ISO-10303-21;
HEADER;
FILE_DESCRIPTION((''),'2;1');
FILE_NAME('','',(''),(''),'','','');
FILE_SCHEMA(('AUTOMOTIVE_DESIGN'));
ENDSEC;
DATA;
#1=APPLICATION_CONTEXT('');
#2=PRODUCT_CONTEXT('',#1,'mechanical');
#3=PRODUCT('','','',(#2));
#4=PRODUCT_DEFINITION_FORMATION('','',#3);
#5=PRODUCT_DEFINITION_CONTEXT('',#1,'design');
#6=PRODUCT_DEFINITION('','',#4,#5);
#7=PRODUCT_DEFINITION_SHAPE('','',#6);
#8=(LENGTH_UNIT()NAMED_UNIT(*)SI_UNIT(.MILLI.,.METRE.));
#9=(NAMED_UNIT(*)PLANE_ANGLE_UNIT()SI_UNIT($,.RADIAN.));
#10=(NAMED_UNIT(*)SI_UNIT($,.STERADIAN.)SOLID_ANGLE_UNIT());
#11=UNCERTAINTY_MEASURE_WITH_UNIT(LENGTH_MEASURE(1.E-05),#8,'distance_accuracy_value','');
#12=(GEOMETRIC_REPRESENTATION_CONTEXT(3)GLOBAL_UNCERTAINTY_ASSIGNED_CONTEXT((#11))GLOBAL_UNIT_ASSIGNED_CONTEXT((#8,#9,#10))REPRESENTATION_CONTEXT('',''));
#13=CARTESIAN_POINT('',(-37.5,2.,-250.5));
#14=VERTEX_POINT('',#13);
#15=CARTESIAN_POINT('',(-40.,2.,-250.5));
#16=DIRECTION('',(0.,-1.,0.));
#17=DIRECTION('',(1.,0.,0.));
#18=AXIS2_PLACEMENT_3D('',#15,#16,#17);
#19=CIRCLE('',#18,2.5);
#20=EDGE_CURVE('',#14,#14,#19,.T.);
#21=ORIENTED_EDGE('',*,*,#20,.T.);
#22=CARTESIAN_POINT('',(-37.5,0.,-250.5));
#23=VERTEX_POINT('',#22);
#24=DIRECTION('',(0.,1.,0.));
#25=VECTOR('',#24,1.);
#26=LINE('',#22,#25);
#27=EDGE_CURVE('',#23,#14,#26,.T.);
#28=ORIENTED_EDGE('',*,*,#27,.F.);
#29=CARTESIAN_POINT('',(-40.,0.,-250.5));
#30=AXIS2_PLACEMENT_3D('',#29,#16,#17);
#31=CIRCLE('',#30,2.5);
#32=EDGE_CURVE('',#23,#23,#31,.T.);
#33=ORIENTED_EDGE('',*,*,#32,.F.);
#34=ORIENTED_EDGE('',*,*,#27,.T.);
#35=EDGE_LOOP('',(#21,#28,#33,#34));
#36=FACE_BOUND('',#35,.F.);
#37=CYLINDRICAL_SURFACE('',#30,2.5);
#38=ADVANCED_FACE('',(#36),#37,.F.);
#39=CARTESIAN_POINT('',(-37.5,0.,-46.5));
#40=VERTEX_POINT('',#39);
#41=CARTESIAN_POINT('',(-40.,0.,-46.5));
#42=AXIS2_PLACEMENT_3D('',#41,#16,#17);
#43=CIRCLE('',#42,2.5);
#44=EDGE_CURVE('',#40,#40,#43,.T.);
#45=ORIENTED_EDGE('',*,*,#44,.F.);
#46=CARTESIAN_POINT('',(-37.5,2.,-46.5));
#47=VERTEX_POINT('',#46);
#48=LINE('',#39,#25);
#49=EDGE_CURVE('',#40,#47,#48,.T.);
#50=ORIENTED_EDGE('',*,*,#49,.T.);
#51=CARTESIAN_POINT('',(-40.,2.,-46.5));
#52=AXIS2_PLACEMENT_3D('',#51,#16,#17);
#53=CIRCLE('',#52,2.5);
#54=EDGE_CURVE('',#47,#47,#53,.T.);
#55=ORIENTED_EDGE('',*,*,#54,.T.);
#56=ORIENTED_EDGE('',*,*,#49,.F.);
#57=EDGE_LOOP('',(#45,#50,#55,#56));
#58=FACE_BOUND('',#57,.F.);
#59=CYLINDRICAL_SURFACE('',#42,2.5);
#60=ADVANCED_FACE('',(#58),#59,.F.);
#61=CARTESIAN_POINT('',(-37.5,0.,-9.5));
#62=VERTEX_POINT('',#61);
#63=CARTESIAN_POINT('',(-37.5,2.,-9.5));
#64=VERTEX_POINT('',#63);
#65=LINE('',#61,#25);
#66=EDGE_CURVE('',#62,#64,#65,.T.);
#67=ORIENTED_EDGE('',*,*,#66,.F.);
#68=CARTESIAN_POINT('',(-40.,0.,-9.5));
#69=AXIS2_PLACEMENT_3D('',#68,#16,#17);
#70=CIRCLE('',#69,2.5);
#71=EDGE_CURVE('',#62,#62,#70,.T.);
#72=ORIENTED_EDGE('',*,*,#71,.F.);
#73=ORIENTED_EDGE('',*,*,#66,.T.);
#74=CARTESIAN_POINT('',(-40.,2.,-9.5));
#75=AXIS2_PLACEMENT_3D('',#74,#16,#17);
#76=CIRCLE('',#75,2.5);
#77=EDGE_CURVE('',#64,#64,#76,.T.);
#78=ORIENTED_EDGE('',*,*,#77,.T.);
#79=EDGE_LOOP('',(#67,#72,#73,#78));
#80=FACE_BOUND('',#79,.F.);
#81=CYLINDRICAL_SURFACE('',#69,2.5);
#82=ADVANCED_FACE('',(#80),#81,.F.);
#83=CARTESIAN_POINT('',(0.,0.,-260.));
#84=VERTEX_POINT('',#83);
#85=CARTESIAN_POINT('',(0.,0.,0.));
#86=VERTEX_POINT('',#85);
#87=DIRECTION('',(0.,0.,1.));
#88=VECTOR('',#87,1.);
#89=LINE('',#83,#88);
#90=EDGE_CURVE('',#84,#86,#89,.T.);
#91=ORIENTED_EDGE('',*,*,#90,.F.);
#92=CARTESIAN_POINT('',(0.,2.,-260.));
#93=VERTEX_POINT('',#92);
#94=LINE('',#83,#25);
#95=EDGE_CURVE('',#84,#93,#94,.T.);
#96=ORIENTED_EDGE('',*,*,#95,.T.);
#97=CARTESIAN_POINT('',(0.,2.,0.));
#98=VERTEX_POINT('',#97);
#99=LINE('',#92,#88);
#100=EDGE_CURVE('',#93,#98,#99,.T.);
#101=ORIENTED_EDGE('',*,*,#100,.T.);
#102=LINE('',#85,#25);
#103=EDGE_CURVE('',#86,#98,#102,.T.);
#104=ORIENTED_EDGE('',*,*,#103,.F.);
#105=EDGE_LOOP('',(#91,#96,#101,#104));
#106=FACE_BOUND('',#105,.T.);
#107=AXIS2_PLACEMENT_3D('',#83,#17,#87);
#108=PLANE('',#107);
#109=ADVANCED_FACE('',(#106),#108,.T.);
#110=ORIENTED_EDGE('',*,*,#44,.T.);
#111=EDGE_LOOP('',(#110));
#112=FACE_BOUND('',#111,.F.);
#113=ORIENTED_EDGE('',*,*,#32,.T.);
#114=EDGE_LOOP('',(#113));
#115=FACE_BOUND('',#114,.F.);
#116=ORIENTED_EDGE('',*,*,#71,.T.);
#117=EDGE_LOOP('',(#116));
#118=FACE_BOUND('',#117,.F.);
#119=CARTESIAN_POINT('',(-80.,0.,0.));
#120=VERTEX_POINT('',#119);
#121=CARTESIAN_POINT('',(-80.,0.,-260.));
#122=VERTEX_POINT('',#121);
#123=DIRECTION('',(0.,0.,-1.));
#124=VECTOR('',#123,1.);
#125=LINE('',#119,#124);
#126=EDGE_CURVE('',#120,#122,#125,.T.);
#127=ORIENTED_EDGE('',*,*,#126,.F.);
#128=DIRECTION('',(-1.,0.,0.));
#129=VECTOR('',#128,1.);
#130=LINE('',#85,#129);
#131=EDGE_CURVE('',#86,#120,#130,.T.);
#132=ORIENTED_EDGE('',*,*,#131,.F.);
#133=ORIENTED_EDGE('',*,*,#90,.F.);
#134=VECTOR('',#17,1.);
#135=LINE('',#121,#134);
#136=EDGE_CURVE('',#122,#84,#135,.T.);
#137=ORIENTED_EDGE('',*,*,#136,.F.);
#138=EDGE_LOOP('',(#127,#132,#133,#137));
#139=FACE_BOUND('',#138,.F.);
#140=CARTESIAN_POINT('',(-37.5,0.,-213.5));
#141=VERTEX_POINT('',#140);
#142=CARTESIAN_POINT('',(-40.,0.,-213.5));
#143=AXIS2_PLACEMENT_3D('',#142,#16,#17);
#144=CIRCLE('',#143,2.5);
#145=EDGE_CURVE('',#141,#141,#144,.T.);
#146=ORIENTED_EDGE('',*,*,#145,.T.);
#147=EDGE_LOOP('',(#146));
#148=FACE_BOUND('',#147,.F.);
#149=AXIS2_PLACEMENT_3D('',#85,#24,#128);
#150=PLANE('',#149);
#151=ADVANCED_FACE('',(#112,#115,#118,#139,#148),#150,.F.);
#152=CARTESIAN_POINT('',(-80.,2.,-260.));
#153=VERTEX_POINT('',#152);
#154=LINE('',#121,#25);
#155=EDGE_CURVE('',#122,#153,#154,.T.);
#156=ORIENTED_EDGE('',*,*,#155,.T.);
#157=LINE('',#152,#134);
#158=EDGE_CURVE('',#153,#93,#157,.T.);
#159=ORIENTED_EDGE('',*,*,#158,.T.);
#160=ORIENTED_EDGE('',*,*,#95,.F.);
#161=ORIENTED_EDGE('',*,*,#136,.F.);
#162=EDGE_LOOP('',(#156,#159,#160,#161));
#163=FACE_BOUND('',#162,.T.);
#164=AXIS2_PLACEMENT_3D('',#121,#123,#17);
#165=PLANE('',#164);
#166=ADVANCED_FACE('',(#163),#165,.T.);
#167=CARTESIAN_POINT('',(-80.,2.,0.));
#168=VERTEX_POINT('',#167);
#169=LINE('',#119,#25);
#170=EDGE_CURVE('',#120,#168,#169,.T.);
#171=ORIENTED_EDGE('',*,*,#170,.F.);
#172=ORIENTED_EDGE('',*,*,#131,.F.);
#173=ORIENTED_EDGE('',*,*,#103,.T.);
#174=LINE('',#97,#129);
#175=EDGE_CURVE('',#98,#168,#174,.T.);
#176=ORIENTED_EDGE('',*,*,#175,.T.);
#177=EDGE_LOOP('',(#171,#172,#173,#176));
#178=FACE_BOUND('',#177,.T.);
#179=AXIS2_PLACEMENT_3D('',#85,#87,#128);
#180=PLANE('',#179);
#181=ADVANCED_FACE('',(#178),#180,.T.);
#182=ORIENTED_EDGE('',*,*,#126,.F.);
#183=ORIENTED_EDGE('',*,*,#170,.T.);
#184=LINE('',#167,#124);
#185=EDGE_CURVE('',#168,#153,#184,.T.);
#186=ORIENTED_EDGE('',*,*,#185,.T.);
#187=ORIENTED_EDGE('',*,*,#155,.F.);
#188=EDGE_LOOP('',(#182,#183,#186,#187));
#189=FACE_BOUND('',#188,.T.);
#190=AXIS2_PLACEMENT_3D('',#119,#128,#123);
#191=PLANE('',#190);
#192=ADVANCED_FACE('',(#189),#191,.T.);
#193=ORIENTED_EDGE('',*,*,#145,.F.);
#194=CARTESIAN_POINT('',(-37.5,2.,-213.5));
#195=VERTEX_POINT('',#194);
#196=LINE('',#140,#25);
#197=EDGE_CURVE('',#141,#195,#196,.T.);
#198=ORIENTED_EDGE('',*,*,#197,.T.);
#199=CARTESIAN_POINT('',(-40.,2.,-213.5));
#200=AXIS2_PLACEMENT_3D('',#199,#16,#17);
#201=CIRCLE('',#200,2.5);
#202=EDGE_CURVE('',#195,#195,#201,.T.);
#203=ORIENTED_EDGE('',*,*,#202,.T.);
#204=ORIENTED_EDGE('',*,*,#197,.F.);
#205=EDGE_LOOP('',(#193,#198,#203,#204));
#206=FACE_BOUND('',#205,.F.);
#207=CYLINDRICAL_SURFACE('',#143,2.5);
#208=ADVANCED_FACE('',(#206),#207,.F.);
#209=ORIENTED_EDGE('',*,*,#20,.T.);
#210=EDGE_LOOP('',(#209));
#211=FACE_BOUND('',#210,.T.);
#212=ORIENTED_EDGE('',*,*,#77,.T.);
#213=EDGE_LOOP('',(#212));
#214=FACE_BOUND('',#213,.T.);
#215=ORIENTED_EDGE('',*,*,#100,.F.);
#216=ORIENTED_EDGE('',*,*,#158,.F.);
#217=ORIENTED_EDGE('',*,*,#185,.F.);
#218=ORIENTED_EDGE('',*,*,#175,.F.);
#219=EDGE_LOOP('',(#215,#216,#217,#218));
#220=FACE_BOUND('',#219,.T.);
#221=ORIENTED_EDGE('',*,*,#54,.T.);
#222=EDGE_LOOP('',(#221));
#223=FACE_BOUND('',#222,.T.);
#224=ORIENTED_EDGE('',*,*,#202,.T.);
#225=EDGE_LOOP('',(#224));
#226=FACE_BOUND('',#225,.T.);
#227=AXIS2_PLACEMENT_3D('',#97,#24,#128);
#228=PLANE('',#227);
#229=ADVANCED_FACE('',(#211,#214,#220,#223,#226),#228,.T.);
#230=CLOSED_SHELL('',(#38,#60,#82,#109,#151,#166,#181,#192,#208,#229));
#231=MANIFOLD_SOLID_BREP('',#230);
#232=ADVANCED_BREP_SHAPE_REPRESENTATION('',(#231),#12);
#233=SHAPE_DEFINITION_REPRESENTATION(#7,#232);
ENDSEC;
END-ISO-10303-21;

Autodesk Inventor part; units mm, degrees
ref_plane "YZ Plane" through (0, 0, 0) normal (1, 0, 0) x (0, 1, 0)
ref_plane "XZ Plane" through (0, 0, 0) normal (0, 1, 0) x (-1, 0, 0)
ref_plane "XY Plane" through (0, 0, 0) normal (0, 0, 1) x (1, 0, 0)
sketch "スケッチ1" plane through (0, 0, 0) normal (0, 1, 0) x (-1, 0, 0)
  line L0 (0, 0) -> (80, 0)
  line L1 (80, 0) -> (80, -260)
  line L2 (80, -260) -> (0, -260)
  line L3 (0, -260) -> (0, 0)
  dimension "d0" = 80
  dimension "d1" = 260
extrude "押し出し1" add sketch "スケッチ1" along normal blind 2
sketch "スケッチ2" plane through (0, 0, 0) normal (0, -1, 0) x (1, 0, 0)
  circle A0 centre (-40, -9.5) radius 2.5
  line L0 (0, -260) -> (0, 0) projected
  line L1 (0, 0) -> (-80, 0) projected
  circle A1 centre (-40, -46.5) radius 2.5
  circle A2 centre (-40, -250.5) radius 2.5
  circle A3 centre (-40, -213.5) radius 2.5
  line L2 (-80, -260) -> (0, -260) projected
  dimension "d4" = 5
  dimension "d6" = 40
  dimension "d7" = 9.5
  dimension "d8" = 5
  dimension "d10" = 40
  dimension "d11" = 5
  dimension "d12" = 5
  dimension "d13" = 40
  dimension "d14" = 9.5
  dimension "d15" = 40
  dimension "d28" = 37
  dimension "d29" = 37
extrude "押し出し2" cut sketch "スケッチ2" against normal blind 10
